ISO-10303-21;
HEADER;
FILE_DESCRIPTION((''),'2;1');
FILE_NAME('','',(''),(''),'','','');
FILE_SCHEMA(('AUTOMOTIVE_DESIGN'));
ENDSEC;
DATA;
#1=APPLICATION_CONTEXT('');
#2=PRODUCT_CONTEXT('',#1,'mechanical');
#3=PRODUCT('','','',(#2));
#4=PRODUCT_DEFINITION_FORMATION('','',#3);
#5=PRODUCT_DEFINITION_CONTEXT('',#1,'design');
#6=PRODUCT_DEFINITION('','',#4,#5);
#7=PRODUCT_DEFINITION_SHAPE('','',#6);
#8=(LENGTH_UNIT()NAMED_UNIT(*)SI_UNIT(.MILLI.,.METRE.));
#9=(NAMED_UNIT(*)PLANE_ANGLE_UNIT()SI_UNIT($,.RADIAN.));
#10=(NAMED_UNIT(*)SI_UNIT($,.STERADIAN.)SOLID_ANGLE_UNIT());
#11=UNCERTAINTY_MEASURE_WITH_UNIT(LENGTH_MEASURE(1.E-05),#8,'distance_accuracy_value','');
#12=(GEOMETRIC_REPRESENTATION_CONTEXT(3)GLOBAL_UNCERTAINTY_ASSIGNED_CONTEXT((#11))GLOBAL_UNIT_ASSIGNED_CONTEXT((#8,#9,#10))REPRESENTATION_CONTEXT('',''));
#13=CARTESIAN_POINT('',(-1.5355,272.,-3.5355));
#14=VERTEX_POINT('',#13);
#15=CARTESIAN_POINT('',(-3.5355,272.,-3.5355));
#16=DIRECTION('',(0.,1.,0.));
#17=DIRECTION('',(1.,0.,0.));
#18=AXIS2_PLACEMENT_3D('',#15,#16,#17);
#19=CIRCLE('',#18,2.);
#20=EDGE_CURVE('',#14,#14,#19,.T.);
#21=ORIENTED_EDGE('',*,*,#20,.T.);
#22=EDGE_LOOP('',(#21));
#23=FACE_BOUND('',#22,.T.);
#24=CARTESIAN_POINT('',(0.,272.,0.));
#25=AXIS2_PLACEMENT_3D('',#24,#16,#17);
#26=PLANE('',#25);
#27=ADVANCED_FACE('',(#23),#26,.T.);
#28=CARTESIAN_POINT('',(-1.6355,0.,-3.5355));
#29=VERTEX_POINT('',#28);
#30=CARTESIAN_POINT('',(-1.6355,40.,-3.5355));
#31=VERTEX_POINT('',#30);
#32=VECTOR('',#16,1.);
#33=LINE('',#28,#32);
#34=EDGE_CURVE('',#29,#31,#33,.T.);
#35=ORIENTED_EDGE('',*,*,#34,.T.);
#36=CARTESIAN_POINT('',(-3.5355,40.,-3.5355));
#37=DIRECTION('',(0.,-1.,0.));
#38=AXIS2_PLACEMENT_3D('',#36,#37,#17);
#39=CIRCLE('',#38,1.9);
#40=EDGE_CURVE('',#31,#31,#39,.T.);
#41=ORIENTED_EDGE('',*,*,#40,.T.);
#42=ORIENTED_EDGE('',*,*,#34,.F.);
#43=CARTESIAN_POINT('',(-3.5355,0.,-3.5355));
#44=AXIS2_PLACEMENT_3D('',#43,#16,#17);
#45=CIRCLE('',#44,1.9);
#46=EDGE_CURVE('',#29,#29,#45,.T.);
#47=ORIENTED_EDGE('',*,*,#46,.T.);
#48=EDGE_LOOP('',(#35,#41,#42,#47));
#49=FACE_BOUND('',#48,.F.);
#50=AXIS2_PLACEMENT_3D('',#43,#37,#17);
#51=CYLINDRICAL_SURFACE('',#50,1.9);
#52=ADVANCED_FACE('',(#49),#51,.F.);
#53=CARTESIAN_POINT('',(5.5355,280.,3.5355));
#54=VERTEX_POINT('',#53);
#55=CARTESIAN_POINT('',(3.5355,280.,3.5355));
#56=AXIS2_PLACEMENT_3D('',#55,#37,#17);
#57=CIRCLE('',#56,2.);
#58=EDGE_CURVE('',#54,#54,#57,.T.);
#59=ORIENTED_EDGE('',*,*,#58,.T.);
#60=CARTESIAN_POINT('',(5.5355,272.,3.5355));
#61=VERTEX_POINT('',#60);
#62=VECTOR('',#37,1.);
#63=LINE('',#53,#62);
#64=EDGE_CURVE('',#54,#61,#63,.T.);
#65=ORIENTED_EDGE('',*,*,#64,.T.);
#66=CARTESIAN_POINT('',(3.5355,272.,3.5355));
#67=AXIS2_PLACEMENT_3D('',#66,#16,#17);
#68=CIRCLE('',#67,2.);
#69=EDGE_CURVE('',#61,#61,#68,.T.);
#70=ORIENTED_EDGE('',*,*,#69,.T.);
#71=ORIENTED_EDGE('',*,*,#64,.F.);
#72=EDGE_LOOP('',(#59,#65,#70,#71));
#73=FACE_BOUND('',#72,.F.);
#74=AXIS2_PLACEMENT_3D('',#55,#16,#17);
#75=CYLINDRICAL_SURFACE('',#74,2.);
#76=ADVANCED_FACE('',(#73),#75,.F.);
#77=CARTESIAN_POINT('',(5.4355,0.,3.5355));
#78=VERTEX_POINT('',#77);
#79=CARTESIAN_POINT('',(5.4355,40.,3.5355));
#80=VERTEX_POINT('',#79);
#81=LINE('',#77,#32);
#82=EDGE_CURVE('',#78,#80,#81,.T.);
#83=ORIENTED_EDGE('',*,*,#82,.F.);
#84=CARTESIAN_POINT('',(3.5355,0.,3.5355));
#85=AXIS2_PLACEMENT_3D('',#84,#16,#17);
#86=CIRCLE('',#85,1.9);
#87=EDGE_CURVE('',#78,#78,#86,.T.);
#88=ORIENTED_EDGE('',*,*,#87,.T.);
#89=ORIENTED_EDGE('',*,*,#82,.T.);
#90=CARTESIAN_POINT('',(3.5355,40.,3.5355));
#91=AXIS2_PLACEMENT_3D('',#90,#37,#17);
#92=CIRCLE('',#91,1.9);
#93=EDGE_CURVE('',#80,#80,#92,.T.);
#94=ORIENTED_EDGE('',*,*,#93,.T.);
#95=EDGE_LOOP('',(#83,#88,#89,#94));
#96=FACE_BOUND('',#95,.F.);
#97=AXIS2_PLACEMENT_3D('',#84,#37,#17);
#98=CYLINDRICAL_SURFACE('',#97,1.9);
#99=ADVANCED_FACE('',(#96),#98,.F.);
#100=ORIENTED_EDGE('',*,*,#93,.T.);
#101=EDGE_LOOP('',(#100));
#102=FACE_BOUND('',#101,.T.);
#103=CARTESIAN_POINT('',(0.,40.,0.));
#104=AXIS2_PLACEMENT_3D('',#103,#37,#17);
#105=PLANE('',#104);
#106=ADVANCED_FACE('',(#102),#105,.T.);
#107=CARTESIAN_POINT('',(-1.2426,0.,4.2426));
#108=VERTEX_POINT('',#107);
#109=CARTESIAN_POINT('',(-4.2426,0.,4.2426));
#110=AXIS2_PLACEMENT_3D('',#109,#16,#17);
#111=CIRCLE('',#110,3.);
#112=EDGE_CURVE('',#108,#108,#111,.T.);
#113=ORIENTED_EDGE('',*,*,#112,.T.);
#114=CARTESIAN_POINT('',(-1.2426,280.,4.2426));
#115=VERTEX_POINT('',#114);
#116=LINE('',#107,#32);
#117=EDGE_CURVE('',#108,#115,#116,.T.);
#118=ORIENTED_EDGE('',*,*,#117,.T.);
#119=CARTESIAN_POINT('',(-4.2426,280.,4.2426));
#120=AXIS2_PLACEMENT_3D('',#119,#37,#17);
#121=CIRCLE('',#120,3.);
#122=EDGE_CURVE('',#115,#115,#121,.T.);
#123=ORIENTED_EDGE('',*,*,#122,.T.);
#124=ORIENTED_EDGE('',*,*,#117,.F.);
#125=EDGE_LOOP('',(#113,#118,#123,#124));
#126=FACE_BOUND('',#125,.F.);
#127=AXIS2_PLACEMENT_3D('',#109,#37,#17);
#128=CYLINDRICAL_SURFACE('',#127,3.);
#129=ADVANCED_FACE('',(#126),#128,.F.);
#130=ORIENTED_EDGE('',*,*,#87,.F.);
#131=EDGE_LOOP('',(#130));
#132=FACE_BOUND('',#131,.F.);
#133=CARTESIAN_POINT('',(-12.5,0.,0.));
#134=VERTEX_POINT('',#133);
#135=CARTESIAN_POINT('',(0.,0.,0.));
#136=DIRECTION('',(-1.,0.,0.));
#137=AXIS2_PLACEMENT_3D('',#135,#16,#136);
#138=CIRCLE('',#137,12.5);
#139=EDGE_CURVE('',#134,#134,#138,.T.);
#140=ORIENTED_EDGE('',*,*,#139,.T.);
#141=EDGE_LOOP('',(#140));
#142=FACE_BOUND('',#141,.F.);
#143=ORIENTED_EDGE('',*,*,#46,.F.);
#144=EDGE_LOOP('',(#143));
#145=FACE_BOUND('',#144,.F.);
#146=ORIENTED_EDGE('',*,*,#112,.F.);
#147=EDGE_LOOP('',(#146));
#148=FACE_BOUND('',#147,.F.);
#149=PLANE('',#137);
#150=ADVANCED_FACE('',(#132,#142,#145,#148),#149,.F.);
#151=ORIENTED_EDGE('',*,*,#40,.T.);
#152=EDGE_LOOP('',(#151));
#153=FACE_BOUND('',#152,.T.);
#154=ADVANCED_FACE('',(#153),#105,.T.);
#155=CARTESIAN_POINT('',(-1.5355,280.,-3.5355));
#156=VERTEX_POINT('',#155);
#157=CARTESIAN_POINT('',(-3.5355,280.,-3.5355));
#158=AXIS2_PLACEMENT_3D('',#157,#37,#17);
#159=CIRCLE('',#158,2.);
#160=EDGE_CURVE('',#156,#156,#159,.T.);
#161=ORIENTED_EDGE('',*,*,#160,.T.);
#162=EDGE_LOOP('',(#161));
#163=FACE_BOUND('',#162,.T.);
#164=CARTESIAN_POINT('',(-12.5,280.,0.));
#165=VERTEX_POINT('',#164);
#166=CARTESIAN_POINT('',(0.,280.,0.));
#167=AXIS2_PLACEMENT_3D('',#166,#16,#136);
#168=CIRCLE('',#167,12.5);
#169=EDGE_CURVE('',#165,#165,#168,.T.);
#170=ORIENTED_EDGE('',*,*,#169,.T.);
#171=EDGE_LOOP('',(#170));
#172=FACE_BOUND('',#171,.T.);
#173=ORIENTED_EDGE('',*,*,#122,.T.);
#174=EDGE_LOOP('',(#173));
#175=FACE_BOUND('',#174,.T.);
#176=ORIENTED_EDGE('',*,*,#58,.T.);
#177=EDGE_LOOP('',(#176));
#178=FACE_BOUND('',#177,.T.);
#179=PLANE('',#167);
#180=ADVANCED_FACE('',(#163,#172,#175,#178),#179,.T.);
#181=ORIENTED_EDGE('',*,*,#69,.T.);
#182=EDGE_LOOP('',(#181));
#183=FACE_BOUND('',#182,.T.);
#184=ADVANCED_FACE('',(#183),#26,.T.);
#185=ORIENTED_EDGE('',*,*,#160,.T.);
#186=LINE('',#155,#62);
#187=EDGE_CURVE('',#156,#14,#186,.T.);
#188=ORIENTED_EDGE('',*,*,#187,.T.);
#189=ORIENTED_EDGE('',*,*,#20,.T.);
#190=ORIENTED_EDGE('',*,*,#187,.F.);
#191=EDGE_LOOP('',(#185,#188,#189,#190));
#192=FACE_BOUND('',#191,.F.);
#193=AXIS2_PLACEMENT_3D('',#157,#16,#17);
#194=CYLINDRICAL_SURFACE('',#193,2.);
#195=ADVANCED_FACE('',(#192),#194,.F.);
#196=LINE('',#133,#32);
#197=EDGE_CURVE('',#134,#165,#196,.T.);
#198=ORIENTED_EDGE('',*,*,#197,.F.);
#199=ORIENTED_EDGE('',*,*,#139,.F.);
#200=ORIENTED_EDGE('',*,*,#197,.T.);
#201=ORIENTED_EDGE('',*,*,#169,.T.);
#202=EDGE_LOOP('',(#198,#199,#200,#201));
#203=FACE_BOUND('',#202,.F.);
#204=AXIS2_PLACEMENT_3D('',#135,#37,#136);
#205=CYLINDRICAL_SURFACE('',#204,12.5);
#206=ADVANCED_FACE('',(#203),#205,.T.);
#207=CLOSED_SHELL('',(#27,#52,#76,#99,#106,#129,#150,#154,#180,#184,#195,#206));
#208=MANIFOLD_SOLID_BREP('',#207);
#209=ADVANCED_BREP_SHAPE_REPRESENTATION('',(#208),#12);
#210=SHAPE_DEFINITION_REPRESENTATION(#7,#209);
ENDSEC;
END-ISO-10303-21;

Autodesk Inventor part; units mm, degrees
ref_plane "YZ Plane" through (0, 0, 0) normal (1, 0, 0) x (0, 1, 0)
ref_plane "XZ Plane" through (0, 0, 0) normal (0, 1, 0) x (-1, 0, 0)
ref_plane "XY Plane" through (0, 0, 0) normal (0, 0, 1) x (1, 0, 0)
sketch "Sketch1" plane through (0, 0, 0) normal (0, 1, 0) x (-1, 0, 0)
  circle A0 centre (0, 0) radius 12.5
  dimension "d0" = 25
extrude "Extrusion1" add sketch "Sketch1" along normal blind 280
sketch "Sketch2" plane through (0, 0, 0) normal (0, -1, 0) x (1, 0, 0)
  line L0 (-3.5355, -3.5355) -> (3.5355, 3.5355)
  line L1 (-3.5355, -3.5355) -> (6.4645, -3.5355) construction
  circle A0 centre (-3.5355, -3.5355) radius 1.9
  circle A1 centre (3.5355, 3.5355) radius 1.9
  point P0 (0, 0)
  dimension "d3" = 10
  dimension "d4" = 45
  dimension "d5" = 3.8
  dimension "d6" = 3.8
extrude "Extrusion2" cut sketch "Sketch2" against normal blind 40
sketch "Sketch3" plane through (0, 0, 0) normal (0, -1, 0) x (1, 0, 0)
  line L0 (0, 0) -> (-4.2426, 4.2426)
  line L1 (0, 0) -> (6, 0) construction
  circle A0 centre (-4.2426, 4.2426) radius 3
  dimension "d9" = 6
  dimension "d10" = 135
  dimension "d11" = 6
extrude "Extrusion3" cut sketch "Sketch3" against normal through all
sketch "Sketch6" plane through (0, 280, 0) normal (0, 1, 0) x (1, 0, 0)
  circle A0 centre (-3.5355, -3.5355) radius 1.9 construction
  circle A1 centre (3.5355, 3.5355) radius 1.9 construction
  line L0 (-3.5355, 3.5355) -> (3.5355, -3.5355)
  line L1 (-3.5355, 3.5355) -> (6.4645, 3.5355) construction
  circle A2 centre (3.5355, -3.5355) radius 2
  circle A3 centre (-3.5355, 3.5355) radius 2
  point P0 (0, 0)
  dimension "d16" = 10
  dimension "d17" = 45
  dimension "d18" = 4
  dimension "d19" = 4
extrude "Extrusion4" cut sketch "Sketch6" against normal blind 8
properties part number "Dowel2"
